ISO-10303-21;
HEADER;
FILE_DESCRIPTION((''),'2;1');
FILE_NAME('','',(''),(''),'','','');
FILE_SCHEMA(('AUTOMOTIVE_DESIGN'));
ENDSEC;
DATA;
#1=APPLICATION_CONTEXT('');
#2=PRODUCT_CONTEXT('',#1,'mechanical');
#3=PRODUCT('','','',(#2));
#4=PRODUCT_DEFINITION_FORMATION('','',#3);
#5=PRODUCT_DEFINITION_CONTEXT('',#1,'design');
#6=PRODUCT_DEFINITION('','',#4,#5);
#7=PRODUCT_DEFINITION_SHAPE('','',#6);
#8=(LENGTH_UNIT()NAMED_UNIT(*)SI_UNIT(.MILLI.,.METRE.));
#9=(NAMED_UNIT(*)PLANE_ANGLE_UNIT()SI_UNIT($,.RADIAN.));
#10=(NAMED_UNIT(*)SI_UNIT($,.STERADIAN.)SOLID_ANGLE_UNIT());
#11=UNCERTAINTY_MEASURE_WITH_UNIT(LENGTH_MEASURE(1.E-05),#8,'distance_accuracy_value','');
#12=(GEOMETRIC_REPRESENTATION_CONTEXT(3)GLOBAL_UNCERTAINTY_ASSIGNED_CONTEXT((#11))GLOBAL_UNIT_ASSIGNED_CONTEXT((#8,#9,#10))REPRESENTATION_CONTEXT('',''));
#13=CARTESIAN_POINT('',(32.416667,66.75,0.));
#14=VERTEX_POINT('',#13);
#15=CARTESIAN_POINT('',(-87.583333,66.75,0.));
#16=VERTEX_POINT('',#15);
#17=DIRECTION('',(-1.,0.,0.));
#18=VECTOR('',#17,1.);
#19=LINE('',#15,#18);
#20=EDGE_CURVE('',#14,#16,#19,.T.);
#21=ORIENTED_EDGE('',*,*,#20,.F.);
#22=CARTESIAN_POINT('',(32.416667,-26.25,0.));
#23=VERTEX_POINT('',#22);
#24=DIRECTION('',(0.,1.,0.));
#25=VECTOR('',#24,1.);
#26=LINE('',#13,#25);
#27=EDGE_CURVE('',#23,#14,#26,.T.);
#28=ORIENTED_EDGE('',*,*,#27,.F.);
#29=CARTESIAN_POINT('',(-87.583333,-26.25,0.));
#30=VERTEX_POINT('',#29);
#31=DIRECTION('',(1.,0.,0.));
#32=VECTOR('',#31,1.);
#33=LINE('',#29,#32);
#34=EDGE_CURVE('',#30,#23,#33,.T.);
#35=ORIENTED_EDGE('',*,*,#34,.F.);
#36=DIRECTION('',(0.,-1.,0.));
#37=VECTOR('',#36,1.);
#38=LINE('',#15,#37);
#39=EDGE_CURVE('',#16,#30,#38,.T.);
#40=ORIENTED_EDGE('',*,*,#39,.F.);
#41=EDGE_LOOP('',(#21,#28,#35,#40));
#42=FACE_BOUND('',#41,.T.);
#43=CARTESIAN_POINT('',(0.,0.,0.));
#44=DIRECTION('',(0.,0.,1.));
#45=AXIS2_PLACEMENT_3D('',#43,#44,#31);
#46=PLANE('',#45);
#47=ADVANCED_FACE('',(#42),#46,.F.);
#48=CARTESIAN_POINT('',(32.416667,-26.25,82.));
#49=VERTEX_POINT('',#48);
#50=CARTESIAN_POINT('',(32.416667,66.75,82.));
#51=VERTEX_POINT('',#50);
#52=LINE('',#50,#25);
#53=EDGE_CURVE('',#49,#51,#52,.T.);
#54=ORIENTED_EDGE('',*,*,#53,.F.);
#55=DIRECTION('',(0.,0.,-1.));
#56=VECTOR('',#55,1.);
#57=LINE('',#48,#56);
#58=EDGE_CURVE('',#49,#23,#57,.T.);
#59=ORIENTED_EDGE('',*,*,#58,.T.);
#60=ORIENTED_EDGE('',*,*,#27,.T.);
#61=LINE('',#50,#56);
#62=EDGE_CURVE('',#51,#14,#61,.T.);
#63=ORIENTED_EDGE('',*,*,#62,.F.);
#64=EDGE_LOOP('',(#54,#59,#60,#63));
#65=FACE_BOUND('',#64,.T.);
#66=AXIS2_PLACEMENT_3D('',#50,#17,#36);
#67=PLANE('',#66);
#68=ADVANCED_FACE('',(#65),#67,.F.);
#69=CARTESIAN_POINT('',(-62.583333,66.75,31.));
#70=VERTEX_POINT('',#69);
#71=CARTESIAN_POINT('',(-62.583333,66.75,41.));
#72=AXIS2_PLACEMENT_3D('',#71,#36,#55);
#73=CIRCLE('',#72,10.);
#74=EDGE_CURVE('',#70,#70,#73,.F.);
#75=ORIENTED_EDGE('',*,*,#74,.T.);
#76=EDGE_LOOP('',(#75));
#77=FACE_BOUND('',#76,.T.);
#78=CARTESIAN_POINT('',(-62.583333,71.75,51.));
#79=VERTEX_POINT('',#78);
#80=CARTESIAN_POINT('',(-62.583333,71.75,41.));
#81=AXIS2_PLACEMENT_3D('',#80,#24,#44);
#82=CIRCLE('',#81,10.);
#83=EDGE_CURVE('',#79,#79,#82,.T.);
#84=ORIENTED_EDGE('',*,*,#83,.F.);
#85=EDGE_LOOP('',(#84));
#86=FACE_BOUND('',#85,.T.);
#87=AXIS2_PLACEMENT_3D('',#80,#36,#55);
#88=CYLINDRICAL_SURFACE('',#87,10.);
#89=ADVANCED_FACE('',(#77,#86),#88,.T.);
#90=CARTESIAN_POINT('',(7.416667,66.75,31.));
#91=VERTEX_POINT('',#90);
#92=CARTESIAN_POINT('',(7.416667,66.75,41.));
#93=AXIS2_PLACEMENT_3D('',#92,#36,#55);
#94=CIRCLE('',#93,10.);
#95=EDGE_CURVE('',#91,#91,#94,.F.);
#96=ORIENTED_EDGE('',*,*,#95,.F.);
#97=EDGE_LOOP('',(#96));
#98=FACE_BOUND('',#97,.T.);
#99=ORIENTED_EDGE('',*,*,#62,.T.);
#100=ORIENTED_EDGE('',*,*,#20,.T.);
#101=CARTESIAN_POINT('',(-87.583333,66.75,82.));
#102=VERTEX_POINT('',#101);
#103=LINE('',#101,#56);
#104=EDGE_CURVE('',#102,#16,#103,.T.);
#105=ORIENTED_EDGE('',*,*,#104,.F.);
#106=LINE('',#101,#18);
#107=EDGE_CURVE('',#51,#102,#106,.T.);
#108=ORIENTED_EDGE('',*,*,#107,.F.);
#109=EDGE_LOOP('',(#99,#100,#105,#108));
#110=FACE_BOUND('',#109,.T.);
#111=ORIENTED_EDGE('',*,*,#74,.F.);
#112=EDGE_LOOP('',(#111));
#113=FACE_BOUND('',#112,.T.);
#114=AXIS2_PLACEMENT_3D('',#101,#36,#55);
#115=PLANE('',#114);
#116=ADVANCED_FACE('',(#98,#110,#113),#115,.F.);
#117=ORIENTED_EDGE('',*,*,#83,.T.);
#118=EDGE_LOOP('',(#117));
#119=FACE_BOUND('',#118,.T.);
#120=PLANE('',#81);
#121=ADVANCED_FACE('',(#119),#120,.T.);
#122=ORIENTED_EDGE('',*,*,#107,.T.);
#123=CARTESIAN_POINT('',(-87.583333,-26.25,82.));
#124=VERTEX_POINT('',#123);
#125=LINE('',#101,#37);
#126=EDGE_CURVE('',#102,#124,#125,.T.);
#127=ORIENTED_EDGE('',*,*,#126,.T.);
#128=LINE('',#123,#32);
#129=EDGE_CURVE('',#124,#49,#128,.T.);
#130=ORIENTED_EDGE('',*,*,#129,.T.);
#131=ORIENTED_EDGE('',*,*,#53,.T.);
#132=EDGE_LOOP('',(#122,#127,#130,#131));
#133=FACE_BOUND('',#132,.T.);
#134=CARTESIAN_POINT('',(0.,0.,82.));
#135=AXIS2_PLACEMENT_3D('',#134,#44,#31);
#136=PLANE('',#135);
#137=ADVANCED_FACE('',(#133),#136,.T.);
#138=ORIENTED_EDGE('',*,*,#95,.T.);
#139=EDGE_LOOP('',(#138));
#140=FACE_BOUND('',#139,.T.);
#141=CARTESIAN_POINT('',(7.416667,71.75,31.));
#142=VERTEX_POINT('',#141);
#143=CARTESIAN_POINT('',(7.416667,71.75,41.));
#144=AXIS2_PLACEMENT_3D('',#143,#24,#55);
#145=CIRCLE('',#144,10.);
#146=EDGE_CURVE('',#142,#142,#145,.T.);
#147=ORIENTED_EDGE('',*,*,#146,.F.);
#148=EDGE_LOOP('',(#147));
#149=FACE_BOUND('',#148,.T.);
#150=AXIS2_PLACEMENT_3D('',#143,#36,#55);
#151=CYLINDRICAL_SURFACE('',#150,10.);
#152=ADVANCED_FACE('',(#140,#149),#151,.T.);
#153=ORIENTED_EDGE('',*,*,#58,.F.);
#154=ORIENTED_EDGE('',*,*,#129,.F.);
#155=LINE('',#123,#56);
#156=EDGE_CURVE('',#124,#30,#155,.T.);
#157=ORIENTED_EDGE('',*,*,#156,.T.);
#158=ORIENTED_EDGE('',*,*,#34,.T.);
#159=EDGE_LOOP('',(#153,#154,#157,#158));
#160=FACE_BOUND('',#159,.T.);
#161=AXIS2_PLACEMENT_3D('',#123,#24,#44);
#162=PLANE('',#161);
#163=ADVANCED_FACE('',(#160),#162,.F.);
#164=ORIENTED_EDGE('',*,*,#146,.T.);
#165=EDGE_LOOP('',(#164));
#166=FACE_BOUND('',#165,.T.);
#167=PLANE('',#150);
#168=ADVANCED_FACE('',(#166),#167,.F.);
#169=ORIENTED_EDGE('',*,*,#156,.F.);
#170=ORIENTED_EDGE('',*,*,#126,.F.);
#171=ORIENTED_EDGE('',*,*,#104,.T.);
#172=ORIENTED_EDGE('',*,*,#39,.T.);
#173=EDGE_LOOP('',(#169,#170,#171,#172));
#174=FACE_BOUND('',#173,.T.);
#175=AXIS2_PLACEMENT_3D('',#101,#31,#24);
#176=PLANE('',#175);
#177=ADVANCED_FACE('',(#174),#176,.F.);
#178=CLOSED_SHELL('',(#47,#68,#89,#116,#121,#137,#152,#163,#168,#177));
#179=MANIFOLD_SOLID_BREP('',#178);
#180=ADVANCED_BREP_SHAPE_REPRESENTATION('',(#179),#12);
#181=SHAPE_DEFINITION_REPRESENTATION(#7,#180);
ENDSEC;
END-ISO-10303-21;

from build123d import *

# Parameters (mm, degrees)
ESQUISSE1_W        = 120
ESQUISSE1_H        = 93
BOSS_EXTRU_1_DEPTH = 82
ESQUISSE2_R        = 10
BOSS_EXTRU_2_DEPTH = 5


with BuildPart() as part:
    # Esquisse1 → Boss.-Extru.1 (new body)
    with BuildSketch(Plane.XY):
        with Locations((-27.583333333, 20.25)):
            Rectangle(ESQUISSE1_W, ESQUISSE1_H)
    extrude(amount=BOSS_EXTRU_1_DEPTH)

    # Esquisse2 → Boss.-Extru.2 (add)
    with BuildSketch(Plane(origin=(0, 66.75, 0), x_dir=(1, 0, 0), z_dir=(0, 1, 0))):
        with Locations(Location((-62.583333333, -41, 0), (0, 0, 90))):
            Circle(ESQUISSE2_R)
        with Locations(Location((7.416666667, -41, 0), (0, 0, 90))):
            Circle(ESQUISSE2_R)
    extrude(amount=BOSS_EXTRU_2_DEPTH)


solid = part.part
